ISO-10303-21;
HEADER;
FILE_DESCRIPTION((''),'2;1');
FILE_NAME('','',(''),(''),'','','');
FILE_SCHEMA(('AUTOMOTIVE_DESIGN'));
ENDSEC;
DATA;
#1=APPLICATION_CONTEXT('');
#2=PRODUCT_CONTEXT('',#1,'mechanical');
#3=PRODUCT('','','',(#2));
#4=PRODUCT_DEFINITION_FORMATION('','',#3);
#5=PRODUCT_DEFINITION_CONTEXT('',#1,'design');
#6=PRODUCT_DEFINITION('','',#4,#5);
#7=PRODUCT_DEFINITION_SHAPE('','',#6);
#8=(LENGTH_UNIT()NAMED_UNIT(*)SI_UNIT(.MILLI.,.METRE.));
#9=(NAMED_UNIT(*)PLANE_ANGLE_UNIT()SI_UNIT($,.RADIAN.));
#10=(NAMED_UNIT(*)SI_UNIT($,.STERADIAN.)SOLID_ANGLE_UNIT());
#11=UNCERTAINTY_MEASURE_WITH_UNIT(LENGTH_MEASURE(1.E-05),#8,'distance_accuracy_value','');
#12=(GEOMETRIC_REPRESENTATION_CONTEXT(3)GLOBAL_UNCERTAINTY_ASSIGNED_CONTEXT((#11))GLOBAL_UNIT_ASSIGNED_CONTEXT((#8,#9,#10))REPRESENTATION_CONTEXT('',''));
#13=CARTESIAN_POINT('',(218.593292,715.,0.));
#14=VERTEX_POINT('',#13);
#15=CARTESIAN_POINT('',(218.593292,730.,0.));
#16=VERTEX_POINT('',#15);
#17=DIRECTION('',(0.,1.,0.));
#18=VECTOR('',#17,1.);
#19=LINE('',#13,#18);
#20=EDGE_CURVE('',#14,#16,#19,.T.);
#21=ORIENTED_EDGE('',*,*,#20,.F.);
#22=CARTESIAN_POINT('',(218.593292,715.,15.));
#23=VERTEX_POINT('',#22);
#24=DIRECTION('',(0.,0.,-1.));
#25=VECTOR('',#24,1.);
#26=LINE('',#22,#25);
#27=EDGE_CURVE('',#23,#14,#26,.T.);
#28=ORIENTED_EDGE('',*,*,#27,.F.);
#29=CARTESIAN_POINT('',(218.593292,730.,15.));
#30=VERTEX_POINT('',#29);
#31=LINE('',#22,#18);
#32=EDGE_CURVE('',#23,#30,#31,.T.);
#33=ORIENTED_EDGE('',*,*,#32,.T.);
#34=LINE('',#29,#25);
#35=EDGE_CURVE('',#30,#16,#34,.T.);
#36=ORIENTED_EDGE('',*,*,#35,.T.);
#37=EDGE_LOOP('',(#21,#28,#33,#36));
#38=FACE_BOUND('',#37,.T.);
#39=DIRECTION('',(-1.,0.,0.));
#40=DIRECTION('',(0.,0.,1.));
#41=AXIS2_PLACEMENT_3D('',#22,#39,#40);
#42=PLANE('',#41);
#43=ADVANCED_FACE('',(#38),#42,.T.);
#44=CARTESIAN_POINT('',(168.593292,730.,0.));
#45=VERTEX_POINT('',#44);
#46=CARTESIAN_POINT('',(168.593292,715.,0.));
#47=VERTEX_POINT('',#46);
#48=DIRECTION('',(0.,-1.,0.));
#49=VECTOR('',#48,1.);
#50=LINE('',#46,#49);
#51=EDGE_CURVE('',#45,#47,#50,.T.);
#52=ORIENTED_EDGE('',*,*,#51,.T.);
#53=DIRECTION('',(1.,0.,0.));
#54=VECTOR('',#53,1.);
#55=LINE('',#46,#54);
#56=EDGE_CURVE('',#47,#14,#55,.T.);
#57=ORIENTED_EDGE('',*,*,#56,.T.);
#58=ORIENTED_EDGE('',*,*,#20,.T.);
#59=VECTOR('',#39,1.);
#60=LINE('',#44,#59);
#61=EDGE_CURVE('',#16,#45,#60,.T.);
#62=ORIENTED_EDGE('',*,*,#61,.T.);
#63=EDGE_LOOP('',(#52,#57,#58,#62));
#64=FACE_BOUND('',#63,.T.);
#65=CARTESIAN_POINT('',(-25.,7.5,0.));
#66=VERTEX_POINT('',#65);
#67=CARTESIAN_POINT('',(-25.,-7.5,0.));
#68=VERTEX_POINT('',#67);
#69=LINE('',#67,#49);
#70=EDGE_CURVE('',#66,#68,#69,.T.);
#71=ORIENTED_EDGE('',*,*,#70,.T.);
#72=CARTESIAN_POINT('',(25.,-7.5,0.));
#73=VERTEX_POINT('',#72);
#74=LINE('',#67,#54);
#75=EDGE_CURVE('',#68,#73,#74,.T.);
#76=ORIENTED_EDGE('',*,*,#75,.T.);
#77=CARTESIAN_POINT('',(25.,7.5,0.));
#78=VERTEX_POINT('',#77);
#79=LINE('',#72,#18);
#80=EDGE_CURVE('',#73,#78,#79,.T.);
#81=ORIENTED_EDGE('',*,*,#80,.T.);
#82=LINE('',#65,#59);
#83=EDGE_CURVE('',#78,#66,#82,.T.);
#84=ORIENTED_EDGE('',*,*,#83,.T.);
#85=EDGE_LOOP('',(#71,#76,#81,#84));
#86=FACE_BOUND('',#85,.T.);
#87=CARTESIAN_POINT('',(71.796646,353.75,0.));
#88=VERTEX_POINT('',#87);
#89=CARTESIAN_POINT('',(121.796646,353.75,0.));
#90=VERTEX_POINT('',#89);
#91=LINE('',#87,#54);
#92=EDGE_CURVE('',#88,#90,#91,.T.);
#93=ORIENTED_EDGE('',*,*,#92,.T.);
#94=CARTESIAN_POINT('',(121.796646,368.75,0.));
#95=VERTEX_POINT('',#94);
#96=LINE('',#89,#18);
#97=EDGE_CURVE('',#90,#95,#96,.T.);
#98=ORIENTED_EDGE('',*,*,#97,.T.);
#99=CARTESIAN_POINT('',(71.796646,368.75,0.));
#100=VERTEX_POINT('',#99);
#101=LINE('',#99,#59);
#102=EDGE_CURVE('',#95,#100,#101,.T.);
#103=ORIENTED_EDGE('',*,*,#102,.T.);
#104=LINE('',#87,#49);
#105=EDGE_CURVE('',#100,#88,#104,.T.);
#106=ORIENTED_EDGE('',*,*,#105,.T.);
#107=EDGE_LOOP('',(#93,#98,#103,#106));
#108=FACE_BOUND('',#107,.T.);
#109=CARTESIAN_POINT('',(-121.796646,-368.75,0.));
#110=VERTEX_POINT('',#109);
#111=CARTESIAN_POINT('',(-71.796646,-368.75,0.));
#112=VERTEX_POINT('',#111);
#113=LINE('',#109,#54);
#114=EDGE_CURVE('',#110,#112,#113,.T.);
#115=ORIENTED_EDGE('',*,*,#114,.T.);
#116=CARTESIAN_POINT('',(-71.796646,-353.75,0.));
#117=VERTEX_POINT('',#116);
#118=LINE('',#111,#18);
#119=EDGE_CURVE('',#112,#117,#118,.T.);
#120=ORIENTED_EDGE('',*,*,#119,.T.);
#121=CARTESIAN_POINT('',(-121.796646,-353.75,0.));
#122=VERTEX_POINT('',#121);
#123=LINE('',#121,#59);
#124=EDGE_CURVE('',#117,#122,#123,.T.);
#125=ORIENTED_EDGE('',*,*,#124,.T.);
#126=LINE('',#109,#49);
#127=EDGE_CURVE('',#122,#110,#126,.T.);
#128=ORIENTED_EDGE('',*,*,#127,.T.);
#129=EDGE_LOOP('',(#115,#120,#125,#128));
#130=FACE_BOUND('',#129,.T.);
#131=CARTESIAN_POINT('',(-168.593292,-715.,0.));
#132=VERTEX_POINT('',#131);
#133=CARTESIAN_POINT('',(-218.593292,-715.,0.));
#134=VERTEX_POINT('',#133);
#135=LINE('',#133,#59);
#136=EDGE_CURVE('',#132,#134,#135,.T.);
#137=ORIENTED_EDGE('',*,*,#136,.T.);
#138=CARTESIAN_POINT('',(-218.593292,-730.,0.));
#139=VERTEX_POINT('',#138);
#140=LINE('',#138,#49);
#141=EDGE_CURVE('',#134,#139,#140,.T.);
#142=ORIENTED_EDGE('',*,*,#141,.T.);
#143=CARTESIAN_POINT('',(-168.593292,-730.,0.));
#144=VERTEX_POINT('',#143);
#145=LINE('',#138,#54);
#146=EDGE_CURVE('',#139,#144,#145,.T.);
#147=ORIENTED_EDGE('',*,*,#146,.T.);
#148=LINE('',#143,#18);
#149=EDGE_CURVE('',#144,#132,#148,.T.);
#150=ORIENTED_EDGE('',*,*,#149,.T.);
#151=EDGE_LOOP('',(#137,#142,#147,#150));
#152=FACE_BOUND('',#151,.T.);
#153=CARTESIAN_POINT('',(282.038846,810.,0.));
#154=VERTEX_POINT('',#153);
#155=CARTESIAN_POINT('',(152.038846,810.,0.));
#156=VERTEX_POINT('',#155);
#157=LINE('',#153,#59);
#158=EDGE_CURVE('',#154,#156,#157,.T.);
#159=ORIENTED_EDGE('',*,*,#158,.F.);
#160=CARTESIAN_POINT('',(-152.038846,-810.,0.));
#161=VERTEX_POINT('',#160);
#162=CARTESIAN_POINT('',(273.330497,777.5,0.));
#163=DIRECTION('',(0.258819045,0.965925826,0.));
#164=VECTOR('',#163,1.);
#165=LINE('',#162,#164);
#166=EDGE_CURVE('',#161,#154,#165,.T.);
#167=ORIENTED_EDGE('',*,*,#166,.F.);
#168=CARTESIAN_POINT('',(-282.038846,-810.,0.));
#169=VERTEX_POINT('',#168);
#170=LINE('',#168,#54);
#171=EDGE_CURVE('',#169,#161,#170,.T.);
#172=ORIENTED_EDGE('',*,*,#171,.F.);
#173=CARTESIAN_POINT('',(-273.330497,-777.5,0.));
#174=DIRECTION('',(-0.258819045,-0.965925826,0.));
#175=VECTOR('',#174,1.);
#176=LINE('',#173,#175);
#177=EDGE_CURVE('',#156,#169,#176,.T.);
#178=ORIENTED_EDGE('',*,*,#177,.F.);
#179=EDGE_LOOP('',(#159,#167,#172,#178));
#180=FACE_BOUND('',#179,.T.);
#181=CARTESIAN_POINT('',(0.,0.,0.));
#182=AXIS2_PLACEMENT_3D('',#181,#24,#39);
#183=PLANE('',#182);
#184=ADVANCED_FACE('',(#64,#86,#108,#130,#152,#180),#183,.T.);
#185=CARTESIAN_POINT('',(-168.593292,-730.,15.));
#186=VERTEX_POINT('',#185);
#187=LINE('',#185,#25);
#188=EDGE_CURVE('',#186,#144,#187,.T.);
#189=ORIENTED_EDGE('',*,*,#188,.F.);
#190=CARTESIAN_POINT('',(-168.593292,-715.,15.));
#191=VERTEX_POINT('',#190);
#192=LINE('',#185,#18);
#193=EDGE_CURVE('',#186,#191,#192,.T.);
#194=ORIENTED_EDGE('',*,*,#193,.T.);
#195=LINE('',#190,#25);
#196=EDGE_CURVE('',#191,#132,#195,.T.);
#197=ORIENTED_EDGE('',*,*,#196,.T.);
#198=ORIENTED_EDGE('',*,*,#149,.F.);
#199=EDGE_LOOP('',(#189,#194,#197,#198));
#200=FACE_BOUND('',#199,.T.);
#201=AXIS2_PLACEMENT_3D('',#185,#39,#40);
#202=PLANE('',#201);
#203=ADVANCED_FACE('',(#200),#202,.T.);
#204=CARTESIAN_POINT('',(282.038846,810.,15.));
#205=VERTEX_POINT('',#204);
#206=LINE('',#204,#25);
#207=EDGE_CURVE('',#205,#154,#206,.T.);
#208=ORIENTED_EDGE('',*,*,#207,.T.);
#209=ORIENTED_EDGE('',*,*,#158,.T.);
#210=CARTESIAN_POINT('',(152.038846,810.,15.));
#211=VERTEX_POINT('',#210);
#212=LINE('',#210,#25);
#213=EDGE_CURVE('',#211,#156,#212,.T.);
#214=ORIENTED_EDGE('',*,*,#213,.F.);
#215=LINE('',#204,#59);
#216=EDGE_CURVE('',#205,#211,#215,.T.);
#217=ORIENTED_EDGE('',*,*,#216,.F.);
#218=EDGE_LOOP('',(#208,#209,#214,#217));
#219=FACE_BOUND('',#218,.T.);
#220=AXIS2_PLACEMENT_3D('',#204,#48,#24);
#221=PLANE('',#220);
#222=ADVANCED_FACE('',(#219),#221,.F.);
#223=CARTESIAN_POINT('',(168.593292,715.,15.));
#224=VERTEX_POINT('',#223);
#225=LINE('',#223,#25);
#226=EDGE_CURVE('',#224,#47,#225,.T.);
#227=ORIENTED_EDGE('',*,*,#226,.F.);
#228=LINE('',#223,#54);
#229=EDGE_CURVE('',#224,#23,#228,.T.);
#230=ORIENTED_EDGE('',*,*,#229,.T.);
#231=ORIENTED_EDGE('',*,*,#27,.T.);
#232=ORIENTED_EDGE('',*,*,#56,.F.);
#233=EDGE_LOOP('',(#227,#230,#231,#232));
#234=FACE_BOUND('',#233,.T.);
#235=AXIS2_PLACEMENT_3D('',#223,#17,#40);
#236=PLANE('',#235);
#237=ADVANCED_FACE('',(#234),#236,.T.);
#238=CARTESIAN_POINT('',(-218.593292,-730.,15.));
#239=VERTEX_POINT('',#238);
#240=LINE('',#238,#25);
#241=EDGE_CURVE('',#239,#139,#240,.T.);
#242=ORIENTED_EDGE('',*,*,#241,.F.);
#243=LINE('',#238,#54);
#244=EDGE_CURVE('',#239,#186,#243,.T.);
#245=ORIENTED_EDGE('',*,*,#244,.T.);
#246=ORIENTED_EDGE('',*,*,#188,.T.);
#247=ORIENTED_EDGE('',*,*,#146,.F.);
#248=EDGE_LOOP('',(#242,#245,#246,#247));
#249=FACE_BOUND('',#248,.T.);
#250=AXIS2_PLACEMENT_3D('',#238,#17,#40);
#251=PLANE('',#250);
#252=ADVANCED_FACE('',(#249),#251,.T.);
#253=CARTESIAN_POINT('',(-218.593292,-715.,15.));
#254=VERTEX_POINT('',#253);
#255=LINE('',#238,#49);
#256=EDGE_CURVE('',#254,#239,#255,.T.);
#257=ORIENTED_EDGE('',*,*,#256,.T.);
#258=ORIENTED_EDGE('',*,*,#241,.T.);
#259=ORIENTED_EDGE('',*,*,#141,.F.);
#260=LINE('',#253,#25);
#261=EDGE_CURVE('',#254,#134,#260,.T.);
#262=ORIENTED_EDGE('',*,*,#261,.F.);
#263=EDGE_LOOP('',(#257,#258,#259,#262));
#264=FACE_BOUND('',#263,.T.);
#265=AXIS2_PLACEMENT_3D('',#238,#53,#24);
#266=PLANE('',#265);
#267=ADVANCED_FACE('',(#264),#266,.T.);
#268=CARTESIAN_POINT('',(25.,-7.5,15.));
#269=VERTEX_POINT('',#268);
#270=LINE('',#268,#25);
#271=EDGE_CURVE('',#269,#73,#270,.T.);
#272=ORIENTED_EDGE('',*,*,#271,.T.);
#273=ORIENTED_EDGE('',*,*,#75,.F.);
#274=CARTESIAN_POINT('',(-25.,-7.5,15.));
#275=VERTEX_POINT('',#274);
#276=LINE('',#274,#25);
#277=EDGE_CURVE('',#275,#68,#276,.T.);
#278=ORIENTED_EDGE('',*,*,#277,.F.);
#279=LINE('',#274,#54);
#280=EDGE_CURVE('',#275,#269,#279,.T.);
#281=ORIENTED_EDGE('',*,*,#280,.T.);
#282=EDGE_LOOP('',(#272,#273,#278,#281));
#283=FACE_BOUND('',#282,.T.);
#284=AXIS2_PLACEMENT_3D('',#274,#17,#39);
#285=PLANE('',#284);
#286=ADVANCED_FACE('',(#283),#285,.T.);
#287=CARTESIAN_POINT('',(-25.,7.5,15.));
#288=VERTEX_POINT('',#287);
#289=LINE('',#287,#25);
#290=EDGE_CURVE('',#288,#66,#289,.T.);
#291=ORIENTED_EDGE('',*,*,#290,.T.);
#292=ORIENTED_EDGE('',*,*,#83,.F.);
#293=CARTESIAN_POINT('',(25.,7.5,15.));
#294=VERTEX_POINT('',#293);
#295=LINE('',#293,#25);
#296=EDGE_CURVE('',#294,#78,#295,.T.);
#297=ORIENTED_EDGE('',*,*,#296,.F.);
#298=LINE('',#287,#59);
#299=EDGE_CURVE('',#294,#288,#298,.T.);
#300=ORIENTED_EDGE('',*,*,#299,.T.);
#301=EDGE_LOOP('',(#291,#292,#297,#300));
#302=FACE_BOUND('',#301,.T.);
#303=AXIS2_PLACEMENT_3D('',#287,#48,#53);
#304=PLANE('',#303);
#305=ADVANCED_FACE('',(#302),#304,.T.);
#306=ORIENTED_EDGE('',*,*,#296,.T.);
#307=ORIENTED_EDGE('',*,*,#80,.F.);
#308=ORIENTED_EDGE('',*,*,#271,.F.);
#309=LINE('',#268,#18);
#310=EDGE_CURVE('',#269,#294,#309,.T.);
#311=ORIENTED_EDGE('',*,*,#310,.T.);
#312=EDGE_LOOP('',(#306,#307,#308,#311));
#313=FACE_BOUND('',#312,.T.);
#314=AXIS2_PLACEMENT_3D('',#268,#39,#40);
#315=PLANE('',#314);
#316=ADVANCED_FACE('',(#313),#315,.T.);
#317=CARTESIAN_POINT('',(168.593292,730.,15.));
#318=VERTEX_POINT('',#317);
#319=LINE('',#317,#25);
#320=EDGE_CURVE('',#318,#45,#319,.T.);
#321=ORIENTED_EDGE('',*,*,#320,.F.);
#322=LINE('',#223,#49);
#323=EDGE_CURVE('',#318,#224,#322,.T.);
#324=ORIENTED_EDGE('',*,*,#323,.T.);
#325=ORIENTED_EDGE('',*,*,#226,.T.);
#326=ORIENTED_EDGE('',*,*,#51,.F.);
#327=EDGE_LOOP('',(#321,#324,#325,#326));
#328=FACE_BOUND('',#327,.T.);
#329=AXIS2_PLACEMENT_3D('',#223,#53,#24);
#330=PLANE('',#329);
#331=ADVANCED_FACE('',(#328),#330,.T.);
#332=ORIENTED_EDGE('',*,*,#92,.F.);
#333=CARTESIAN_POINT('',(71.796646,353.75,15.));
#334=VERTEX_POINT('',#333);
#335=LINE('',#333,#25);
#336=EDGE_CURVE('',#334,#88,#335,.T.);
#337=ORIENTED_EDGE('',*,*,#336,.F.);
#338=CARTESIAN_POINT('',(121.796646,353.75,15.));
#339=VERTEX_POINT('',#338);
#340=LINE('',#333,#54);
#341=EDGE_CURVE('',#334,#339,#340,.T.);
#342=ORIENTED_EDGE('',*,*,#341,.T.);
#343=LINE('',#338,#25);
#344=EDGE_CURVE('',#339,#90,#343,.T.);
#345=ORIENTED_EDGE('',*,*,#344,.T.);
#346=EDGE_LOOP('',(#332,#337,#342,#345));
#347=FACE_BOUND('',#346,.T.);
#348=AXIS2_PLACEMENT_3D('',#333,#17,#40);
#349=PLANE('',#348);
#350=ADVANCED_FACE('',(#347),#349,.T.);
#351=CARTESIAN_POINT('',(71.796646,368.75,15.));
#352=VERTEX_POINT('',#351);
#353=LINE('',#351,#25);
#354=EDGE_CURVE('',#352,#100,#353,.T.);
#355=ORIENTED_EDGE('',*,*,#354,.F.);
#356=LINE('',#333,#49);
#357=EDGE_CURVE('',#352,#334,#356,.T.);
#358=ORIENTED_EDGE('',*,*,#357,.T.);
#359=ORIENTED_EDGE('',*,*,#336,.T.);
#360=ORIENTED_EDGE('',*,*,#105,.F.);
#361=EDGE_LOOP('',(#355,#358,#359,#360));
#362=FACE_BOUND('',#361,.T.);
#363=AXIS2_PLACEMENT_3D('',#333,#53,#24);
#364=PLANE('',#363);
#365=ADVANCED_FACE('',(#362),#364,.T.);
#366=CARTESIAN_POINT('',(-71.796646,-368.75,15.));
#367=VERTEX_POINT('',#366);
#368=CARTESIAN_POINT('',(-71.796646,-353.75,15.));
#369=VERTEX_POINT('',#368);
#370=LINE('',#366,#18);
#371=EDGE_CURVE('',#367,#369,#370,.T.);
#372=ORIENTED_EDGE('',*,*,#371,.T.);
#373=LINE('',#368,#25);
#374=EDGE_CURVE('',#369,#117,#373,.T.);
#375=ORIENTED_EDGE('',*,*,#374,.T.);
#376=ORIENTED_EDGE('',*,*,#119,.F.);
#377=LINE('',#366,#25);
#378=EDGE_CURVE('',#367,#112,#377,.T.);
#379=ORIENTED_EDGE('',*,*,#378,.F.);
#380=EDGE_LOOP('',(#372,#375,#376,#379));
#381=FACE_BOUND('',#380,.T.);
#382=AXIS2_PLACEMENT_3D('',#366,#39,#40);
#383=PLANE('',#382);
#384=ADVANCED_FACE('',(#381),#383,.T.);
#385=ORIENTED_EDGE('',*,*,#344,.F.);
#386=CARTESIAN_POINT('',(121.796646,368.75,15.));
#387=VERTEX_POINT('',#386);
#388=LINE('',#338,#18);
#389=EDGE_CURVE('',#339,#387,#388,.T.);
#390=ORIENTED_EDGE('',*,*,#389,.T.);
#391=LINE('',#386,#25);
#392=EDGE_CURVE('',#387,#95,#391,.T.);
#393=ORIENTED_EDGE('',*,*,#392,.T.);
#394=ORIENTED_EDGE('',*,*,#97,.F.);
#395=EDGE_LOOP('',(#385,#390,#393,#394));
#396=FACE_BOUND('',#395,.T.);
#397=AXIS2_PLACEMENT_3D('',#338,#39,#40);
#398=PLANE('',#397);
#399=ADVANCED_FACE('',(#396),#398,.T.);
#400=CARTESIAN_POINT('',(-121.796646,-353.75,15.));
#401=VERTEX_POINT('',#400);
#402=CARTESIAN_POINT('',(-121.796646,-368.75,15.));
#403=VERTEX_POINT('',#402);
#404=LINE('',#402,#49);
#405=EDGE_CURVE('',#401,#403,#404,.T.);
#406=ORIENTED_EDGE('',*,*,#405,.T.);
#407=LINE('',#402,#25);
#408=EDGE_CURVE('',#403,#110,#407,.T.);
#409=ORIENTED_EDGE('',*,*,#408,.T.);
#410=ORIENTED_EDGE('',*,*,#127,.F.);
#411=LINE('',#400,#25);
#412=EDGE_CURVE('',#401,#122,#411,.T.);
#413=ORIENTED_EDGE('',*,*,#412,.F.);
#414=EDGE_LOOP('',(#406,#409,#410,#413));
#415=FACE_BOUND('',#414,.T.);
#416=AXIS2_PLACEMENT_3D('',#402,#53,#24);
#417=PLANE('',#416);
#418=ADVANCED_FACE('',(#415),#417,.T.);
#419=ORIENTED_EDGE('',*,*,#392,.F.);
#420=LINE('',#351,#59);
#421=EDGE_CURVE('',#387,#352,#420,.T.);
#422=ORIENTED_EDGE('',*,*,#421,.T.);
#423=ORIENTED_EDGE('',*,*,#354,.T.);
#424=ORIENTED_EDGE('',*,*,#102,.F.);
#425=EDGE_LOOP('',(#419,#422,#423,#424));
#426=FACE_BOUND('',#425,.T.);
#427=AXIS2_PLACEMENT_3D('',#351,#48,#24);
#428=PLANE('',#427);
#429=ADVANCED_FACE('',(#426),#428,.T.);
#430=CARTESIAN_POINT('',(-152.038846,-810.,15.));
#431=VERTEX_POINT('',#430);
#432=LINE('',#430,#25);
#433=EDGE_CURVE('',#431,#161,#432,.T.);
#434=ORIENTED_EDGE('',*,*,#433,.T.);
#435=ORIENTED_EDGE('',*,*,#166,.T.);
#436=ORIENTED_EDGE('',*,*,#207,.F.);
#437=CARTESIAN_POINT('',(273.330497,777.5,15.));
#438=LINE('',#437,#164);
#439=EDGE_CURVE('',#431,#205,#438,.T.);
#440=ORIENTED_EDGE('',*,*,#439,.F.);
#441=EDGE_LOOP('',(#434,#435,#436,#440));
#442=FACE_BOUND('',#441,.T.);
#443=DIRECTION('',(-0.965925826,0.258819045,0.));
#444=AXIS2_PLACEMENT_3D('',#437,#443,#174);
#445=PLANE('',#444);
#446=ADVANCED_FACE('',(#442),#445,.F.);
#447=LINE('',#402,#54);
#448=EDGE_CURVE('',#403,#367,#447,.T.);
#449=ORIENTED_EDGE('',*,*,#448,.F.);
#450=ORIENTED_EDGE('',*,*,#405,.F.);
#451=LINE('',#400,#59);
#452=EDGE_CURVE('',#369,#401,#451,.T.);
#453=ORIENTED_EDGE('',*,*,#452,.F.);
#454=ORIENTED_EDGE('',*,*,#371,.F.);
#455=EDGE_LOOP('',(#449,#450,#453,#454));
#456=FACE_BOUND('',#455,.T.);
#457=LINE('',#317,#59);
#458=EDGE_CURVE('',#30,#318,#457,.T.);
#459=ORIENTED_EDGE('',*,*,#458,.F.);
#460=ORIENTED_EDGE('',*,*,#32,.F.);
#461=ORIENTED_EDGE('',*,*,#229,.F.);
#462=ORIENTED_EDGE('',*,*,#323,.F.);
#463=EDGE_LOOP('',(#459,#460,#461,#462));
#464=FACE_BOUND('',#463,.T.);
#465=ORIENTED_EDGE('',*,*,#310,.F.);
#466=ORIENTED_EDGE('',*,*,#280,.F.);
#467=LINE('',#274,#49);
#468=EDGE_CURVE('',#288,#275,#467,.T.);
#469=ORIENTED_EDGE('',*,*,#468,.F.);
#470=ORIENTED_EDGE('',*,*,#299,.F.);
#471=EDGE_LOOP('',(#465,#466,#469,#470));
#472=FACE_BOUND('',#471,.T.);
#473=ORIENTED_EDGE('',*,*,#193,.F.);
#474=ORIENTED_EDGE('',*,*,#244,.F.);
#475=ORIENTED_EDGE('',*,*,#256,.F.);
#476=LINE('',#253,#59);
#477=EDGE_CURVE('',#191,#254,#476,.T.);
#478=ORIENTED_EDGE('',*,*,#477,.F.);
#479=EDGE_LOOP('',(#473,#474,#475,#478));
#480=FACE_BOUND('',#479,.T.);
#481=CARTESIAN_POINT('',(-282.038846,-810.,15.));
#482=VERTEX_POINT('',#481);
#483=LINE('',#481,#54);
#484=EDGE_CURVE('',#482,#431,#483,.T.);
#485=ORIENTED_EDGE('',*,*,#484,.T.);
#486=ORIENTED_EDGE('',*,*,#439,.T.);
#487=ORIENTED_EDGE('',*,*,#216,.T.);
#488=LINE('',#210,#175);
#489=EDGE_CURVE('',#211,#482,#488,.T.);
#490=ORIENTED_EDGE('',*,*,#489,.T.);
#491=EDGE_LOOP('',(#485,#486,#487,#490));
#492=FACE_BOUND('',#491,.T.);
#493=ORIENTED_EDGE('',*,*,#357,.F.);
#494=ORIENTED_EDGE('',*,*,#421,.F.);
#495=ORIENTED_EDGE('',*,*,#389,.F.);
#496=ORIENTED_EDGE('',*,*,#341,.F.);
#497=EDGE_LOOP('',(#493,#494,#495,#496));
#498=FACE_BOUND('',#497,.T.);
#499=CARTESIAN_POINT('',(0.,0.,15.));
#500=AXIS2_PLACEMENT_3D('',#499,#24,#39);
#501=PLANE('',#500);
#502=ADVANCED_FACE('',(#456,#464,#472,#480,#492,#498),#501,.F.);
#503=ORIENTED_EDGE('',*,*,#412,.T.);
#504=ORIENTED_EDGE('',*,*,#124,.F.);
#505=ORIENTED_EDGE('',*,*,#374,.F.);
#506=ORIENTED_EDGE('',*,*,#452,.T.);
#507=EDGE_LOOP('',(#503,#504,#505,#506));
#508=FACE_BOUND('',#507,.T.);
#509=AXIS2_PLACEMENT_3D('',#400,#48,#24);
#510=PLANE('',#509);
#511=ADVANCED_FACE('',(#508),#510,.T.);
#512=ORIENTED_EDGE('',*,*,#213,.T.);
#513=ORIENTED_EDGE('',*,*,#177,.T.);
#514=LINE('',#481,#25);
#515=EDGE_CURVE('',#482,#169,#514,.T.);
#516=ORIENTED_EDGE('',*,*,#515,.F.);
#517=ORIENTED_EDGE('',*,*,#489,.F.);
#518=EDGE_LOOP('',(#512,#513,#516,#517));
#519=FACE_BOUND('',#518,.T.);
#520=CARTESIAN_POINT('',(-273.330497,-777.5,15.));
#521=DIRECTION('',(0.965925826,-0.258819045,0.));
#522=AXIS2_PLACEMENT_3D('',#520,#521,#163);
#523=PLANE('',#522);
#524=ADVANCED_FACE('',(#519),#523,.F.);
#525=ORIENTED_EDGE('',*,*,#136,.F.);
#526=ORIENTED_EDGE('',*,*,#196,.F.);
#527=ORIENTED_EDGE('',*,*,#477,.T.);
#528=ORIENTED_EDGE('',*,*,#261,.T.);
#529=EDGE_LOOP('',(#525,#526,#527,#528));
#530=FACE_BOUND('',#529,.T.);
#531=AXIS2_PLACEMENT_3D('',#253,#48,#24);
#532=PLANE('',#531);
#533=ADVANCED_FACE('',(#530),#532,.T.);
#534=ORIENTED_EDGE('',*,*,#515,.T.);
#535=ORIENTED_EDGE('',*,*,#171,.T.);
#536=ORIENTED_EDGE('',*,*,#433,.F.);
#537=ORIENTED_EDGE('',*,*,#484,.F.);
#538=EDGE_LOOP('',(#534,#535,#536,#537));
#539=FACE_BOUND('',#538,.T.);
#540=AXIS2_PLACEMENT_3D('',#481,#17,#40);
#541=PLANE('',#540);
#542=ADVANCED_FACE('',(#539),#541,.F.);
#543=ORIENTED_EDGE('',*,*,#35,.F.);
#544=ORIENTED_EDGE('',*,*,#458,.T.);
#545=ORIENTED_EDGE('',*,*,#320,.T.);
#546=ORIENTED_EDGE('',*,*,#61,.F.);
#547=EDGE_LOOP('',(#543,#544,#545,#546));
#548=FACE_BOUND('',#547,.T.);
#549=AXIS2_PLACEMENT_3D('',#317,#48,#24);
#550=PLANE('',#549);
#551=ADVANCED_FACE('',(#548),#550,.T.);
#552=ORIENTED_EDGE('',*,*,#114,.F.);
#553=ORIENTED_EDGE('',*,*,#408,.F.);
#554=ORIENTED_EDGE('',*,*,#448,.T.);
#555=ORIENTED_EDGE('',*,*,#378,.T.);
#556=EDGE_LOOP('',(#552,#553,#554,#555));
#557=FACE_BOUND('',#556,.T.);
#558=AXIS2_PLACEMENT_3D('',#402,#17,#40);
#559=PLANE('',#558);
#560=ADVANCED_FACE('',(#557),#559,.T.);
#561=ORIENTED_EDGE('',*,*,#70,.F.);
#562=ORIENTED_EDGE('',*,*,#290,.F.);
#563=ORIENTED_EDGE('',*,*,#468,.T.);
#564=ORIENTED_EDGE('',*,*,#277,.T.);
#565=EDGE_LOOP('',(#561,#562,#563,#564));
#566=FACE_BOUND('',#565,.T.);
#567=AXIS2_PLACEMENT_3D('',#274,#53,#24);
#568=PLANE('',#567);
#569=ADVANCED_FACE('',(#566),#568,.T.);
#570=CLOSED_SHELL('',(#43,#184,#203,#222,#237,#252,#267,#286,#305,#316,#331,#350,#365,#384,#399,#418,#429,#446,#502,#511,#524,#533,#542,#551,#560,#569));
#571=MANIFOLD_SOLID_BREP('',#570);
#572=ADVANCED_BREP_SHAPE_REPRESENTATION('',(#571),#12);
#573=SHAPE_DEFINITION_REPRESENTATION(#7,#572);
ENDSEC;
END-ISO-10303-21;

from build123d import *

# Parameters (mm, degrees)
CROQUIS1_W              = 50
CROQUIS1_H              = 15
SALIENTE_EXTRUIR1_DEPTH = 15


with BuildPart() as part:
    # Croquis1 → Saliente-Extruir1 (new body)
    with BuildSketch(Plane.XY):
        Polygon((273.330497115, 777.5), (-152.038845869, -810), (-282.038845869, -810), (-273.330497115, -777.5), (152.038845869, 810), (282.038845869, 810), align=None)
        Rectangle(CROQUIS1_W, CROQUIS1_H, mode=Mode.SUBTRACT)
        with Locations((-193.593291531, -722.5)):
            Rectangle(CROQUIS1_W, CROQUIS1_H, mode=Mode.SUBTRACT)
        with Locations((-96.796645766, -361.25)):
            Rectangle(CROQUIS1_W, CROQUIS1_H, mode=Mode.SUBTRACT)
        with Locations((96.796645766, 361.25)):
            Rectangle(CROQUIS1_W, CROQUIS1_H, mode=Mode.SUBTRACT)
        with Locations((193.593291531, 722.5)):
            Rectangle(CROQUIS1_W, CROQUIS1_H, mode=Mode.SUBTRACT)
    extrude(amount=SALIENTE_EXTRUIR1_DEPTH)


solid = part.part
